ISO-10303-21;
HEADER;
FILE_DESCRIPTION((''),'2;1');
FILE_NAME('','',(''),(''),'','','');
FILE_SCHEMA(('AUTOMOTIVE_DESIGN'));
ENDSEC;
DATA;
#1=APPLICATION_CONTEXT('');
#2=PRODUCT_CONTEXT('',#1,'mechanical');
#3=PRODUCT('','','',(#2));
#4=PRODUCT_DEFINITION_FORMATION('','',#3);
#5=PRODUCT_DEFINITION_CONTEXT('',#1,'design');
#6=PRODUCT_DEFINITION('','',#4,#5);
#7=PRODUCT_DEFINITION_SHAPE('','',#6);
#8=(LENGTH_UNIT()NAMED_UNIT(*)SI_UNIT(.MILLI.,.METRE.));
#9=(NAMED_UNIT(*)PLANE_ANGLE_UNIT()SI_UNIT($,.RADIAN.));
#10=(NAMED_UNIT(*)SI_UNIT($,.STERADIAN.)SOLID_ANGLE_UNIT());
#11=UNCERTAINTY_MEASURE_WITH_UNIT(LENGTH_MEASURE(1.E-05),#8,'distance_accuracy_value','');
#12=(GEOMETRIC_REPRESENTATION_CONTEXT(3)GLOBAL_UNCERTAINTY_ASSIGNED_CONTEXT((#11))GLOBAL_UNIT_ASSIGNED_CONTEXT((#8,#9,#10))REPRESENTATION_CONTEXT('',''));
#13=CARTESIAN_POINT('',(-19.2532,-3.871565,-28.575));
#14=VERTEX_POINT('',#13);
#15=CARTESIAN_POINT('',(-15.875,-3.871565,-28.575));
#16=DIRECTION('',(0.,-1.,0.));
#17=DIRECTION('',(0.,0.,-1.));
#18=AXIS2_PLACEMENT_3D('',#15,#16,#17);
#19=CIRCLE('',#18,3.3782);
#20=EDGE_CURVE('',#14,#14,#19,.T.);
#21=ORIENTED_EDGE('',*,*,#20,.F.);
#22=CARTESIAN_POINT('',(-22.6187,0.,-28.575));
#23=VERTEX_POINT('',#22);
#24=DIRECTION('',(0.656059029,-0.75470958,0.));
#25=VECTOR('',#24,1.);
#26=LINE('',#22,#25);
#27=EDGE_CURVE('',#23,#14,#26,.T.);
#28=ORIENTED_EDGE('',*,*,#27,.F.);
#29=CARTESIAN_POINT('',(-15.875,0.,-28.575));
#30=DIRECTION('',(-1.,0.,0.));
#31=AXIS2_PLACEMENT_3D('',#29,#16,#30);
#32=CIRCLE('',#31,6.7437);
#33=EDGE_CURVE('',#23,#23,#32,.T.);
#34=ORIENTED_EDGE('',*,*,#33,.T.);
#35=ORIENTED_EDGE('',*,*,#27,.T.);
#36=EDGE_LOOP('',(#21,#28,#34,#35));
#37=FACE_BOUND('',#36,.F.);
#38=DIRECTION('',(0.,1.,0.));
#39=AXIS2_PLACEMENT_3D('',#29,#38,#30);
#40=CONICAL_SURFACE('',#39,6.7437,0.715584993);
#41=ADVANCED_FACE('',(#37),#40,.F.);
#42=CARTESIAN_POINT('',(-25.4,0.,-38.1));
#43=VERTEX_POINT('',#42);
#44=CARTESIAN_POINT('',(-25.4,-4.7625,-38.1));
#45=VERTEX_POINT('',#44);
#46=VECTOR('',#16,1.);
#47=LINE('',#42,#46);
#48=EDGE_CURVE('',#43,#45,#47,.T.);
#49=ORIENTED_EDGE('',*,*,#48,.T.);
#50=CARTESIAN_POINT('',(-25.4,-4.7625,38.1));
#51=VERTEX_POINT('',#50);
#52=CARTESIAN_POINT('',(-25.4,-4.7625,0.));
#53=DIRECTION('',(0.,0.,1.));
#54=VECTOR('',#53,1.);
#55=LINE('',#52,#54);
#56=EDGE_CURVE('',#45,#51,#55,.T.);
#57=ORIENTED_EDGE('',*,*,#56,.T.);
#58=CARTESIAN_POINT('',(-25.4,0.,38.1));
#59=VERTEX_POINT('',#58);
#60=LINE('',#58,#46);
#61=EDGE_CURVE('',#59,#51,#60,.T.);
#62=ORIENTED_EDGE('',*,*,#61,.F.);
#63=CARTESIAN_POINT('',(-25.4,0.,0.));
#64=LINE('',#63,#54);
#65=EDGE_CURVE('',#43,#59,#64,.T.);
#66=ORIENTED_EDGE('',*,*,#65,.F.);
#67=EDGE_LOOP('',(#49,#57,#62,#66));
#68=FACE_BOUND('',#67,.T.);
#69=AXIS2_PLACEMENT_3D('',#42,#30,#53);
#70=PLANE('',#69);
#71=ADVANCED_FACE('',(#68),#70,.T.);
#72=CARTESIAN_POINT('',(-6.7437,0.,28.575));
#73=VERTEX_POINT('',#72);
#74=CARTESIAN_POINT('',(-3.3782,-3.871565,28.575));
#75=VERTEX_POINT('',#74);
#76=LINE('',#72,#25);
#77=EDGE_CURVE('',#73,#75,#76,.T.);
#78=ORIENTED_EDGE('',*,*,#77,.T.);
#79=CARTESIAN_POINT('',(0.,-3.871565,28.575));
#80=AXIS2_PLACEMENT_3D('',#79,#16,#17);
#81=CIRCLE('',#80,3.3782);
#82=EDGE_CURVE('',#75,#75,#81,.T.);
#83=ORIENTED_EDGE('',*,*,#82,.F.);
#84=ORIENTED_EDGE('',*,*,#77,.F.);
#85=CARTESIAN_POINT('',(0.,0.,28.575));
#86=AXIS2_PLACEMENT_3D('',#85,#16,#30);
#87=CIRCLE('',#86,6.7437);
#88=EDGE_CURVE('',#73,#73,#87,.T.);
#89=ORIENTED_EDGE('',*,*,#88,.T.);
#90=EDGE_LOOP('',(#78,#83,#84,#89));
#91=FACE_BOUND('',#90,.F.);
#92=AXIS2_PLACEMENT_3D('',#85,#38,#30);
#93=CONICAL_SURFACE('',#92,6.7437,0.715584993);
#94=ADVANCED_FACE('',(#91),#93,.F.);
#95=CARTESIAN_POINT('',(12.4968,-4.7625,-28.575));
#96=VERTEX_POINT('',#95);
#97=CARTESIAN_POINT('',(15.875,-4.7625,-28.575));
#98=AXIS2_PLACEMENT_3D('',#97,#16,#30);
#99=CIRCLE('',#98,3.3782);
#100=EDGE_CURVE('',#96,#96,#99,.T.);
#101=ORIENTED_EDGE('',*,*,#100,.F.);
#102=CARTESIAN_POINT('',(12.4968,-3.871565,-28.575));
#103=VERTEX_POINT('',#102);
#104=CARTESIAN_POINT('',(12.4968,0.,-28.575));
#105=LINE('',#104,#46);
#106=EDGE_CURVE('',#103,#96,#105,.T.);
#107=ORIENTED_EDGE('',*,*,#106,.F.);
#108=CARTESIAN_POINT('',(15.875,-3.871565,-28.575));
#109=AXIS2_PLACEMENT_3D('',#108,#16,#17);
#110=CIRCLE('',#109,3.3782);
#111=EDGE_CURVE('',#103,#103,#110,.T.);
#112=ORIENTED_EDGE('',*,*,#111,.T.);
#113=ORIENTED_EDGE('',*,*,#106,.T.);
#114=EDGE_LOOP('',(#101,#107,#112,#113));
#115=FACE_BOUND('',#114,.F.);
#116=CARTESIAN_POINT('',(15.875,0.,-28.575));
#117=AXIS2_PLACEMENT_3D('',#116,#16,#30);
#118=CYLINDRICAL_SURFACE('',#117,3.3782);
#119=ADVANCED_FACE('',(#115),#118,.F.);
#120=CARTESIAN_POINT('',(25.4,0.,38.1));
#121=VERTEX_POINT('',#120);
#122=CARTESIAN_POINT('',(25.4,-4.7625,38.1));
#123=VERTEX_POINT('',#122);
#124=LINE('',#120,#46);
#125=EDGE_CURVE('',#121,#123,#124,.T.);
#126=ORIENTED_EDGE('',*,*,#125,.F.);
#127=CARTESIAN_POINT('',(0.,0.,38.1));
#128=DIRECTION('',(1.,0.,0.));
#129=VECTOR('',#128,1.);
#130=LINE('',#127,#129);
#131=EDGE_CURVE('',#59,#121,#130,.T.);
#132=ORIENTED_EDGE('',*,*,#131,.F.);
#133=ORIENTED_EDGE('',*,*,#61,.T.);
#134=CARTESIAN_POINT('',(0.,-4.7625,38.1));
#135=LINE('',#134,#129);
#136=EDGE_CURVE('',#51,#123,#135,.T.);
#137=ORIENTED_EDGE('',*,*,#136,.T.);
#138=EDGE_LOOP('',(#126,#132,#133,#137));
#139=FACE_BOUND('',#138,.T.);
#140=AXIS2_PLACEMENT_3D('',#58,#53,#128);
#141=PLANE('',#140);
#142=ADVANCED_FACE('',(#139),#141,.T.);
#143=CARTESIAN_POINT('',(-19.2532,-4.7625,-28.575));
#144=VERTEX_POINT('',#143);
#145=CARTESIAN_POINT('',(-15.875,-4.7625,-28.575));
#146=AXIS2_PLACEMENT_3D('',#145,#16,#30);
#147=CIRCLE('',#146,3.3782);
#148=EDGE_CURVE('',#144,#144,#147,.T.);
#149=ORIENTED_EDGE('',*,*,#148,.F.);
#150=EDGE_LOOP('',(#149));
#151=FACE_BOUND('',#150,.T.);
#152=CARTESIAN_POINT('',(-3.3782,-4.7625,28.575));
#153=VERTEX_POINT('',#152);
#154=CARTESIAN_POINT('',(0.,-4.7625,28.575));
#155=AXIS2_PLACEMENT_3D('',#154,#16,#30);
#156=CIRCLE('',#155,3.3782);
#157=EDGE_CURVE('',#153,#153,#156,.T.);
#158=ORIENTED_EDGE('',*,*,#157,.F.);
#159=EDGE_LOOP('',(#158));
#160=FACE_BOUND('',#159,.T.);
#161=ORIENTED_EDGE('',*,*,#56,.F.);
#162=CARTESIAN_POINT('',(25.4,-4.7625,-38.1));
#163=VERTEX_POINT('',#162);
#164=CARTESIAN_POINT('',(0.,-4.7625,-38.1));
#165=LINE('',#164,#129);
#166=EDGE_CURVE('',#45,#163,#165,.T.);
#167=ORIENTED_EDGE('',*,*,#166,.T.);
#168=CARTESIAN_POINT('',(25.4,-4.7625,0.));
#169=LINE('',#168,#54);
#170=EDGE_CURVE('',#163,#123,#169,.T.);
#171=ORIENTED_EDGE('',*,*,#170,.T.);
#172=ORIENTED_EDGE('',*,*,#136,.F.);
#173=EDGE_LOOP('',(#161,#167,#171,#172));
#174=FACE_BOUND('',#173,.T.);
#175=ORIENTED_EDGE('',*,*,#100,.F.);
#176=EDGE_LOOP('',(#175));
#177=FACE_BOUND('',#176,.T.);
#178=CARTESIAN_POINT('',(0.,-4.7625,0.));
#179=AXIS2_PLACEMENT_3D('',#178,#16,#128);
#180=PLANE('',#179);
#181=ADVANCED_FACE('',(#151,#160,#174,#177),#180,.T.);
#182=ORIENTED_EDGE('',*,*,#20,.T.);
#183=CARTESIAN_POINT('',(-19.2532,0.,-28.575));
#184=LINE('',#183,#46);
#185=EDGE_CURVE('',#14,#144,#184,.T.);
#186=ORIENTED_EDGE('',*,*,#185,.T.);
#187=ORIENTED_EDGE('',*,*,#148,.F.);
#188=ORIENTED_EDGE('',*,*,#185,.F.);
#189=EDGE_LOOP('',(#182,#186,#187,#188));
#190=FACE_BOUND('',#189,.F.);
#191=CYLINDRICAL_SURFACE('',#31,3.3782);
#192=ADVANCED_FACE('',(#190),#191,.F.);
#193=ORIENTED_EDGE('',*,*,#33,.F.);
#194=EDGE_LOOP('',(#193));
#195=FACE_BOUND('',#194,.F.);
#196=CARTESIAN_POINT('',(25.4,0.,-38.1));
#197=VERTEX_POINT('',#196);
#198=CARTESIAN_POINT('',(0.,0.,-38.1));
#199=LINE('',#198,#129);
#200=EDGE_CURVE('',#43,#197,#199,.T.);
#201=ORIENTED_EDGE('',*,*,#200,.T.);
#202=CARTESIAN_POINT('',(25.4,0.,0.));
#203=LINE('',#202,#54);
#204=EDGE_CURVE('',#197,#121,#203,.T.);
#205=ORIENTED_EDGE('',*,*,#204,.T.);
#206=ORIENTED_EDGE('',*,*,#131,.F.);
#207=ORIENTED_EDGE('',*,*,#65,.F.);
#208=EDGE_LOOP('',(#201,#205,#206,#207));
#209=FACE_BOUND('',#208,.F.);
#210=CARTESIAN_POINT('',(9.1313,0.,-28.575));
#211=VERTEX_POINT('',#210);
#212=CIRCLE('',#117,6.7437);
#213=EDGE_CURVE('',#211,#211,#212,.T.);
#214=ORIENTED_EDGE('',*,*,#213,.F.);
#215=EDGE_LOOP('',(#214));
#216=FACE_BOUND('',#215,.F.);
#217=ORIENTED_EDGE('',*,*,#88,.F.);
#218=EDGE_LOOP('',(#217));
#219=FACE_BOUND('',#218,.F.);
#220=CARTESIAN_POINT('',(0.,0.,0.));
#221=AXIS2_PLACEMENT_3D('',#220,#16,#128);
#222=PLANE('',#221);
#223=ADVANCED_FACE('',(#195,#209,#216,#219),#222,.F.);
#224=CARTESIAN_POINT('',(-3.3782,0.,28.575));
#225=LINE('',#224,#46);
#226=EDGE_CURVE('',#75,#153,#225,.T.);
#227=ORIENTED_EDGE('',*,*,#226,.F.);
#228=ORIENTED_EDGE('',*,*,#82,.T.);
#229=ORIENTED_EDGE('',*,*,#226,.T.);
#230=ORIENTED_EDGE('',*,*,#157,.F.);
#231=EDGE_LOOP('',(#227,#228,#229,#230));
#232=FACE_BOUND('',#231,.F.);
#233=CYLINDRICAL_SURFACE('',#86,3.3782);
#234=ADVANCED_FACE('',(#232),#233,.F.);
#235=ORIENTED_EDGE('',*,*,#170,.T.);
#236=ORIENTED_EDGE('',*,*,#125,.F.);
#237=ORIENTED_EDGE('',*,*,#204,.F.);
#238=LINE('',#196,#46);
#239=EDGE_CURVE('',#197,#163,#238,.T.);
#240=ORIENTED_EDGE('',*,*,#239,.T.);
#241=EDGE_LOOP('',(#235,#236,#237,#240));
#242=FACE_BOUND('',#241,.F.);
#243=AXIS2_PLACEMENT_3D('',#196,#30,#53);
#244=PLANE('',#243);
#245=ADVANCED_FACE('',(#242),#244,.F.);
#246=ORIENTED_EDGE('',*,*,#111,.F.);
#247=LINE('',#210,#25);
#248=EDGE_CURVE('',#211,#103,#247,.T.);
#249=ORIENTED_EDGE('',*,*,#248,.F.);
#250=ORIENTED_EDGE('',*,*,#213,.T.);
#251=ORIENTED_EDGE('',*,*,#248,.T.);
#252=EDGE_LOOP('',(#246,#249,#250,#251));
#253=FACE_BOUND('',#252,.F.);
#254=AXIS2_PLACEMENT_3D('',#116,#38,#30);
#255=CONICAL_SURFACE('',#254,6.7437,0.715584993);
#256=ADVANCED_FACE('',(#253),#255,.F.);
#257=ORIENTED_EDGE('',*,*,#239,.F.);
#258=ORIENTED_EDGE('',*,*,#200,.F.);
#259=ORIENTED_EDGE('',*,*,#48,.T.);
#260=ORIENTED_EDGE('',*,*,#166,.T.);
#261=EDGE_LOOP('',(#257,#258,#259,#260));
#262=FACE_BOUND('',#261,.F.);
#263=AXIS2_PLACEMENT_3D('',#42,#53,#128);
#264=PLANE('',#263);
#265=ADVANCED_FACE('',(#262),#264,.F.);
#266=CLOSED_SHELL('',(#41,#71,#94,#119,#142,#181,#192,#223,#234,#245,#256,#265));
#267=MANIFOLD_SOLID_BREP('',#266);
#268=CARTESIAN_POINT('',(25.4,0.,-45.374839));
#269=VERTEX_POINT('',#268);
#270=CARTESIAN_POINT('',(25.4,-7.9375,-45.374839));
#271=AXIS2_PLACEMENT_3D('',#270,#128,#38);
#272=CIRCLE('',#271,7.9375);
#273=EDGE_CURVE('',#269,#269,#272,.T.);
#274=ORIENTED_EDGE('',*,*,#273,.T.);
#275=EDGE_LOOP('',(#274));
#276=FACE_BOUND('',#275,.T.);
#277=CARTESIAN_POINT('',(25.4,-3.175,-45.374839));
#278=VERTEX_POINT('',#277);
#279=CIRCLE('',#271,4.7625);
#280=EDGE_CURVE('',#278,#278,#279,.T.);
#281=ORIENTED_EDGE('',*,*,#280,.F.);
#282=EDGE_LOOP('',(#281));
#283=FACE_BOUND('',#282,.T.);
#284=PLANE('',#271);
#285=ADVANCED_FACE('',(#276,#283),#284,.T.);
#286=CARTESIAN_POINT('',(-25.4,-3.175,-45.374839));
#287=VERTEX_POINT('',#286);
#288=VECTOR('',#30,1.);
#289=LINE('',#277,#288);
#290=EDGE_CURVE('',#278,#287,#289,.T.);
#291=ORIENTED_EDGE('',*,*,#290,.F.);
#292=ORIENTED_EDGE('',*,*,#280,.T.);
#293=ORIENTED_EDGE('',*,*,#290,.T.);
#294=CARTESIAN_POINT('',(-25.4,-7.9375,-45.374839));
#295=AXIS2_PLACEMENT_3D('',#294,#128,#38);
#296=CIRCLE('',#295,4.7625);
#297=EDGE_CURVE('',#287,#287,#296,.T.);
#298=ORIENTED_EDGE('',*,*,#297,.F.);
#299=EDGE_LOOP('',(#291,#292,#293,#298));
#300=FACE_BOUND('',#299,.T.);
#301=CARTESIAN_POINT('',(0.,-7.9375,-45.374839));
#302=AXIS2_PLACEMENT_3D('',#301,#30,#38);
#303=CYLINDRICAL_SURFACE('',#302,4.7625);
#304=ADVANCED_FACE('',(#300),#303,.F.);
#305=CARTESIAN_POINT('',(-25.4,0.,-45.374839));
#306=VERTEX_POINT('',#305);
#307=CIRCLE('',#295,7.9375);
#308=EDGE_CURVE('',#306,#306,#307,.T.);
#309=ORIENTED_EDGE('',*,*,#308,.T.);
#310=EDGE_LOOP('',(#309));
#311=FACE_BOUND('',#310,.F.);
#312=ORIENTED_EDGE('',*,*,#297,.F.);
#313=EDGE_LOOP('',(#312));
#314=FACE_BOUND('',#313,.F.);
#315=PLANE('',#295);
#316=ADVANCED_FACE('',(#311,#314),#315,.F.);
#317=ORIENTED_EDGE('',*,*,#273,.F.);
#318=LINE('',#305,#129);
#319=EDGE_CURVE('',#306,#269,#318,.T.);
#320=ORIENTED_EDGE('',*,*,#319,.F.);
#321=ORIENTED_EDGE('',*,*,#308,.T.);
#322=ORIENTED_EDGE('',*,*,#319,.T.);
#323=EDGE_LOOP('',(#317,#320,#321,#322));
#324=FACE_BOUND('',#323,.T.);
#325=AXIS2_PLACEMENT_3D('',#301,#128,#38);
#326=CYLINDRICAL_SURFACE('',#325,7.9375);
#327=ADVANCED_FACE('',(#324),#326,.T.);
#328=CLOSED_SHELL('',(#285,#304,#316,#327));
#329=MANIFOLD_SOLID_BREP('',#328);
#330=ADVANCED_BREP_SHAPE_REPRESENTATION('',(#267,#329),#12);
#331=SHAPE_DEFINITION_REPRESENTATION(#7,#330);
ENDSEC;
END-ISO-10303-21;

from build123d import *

# Parameters (mm, degrees)
F0_W           = 50.8
F0_H           = 76.2
F0_R           = 3.429
F1_DEPTH       = 4.7625
F2_D           = 6.7564
F2_CSINK_D     = 13.4874
F2_CSINK_ANGLE = 82
F3_R           = 7.9375
F3_R_2         = 4.7625
F4_DEPTH       = 25.4


with BuildPart() as f1:
    # F0 (on Front) → F1 (new body)
    with BuildSketch(Plane.XZ):
        Rectangle(F0_W, F0_H)
        with Locations((-15.875, -28.575)):
            Circle(F0_R, mode=Mode.SUBTRACT)
        with Locations((15.875, -28.575)):
            Circle(F0_R, mode=Mode.SUBTRACT)
        with Locations((0, 28.575)):
            Circle(F0_R, mode=Mode.SUBTRACT)
        with Locations((0, 28.575)):
            Circle(F0_R)
        with Locations((-15.875, -28.575)):
            Circle(F0_R)
        with Locations((15.875, -28.575)):
            Circle(F0_R)
    extrude(amount=F1_DEPTH)

    # F2 (through all)
    with Locations(Plane(origin=(0, 0, 0), x_dir=(1, 0, 0), z_dir=(0, 1, 0))):
        with Locations((0, -28.575), (-15.875, 28.575), (15.875, 28.575)):
            CounterSinkHole(F2_D / 2, F2_CSINK_D / 2, counter_sink_angle=F2_CSINK_ANGLE)


with BuildPart() as f4:
    # F3 (on Right) → F4 (new body, symmetric)
    with BuildSketch(Plane.YZ):
        with Locations((-7.9375, -45.3748389157)):
            Circle(F3_R)
        with Locations((-7.9375, -45.3748389157)):
            Circle(F3_R_2, mode=Mode.SUBTRACT)
    extrude(amount=F4_DEPTH, both=True)


solid = Compound([f1.part, f4.part])
